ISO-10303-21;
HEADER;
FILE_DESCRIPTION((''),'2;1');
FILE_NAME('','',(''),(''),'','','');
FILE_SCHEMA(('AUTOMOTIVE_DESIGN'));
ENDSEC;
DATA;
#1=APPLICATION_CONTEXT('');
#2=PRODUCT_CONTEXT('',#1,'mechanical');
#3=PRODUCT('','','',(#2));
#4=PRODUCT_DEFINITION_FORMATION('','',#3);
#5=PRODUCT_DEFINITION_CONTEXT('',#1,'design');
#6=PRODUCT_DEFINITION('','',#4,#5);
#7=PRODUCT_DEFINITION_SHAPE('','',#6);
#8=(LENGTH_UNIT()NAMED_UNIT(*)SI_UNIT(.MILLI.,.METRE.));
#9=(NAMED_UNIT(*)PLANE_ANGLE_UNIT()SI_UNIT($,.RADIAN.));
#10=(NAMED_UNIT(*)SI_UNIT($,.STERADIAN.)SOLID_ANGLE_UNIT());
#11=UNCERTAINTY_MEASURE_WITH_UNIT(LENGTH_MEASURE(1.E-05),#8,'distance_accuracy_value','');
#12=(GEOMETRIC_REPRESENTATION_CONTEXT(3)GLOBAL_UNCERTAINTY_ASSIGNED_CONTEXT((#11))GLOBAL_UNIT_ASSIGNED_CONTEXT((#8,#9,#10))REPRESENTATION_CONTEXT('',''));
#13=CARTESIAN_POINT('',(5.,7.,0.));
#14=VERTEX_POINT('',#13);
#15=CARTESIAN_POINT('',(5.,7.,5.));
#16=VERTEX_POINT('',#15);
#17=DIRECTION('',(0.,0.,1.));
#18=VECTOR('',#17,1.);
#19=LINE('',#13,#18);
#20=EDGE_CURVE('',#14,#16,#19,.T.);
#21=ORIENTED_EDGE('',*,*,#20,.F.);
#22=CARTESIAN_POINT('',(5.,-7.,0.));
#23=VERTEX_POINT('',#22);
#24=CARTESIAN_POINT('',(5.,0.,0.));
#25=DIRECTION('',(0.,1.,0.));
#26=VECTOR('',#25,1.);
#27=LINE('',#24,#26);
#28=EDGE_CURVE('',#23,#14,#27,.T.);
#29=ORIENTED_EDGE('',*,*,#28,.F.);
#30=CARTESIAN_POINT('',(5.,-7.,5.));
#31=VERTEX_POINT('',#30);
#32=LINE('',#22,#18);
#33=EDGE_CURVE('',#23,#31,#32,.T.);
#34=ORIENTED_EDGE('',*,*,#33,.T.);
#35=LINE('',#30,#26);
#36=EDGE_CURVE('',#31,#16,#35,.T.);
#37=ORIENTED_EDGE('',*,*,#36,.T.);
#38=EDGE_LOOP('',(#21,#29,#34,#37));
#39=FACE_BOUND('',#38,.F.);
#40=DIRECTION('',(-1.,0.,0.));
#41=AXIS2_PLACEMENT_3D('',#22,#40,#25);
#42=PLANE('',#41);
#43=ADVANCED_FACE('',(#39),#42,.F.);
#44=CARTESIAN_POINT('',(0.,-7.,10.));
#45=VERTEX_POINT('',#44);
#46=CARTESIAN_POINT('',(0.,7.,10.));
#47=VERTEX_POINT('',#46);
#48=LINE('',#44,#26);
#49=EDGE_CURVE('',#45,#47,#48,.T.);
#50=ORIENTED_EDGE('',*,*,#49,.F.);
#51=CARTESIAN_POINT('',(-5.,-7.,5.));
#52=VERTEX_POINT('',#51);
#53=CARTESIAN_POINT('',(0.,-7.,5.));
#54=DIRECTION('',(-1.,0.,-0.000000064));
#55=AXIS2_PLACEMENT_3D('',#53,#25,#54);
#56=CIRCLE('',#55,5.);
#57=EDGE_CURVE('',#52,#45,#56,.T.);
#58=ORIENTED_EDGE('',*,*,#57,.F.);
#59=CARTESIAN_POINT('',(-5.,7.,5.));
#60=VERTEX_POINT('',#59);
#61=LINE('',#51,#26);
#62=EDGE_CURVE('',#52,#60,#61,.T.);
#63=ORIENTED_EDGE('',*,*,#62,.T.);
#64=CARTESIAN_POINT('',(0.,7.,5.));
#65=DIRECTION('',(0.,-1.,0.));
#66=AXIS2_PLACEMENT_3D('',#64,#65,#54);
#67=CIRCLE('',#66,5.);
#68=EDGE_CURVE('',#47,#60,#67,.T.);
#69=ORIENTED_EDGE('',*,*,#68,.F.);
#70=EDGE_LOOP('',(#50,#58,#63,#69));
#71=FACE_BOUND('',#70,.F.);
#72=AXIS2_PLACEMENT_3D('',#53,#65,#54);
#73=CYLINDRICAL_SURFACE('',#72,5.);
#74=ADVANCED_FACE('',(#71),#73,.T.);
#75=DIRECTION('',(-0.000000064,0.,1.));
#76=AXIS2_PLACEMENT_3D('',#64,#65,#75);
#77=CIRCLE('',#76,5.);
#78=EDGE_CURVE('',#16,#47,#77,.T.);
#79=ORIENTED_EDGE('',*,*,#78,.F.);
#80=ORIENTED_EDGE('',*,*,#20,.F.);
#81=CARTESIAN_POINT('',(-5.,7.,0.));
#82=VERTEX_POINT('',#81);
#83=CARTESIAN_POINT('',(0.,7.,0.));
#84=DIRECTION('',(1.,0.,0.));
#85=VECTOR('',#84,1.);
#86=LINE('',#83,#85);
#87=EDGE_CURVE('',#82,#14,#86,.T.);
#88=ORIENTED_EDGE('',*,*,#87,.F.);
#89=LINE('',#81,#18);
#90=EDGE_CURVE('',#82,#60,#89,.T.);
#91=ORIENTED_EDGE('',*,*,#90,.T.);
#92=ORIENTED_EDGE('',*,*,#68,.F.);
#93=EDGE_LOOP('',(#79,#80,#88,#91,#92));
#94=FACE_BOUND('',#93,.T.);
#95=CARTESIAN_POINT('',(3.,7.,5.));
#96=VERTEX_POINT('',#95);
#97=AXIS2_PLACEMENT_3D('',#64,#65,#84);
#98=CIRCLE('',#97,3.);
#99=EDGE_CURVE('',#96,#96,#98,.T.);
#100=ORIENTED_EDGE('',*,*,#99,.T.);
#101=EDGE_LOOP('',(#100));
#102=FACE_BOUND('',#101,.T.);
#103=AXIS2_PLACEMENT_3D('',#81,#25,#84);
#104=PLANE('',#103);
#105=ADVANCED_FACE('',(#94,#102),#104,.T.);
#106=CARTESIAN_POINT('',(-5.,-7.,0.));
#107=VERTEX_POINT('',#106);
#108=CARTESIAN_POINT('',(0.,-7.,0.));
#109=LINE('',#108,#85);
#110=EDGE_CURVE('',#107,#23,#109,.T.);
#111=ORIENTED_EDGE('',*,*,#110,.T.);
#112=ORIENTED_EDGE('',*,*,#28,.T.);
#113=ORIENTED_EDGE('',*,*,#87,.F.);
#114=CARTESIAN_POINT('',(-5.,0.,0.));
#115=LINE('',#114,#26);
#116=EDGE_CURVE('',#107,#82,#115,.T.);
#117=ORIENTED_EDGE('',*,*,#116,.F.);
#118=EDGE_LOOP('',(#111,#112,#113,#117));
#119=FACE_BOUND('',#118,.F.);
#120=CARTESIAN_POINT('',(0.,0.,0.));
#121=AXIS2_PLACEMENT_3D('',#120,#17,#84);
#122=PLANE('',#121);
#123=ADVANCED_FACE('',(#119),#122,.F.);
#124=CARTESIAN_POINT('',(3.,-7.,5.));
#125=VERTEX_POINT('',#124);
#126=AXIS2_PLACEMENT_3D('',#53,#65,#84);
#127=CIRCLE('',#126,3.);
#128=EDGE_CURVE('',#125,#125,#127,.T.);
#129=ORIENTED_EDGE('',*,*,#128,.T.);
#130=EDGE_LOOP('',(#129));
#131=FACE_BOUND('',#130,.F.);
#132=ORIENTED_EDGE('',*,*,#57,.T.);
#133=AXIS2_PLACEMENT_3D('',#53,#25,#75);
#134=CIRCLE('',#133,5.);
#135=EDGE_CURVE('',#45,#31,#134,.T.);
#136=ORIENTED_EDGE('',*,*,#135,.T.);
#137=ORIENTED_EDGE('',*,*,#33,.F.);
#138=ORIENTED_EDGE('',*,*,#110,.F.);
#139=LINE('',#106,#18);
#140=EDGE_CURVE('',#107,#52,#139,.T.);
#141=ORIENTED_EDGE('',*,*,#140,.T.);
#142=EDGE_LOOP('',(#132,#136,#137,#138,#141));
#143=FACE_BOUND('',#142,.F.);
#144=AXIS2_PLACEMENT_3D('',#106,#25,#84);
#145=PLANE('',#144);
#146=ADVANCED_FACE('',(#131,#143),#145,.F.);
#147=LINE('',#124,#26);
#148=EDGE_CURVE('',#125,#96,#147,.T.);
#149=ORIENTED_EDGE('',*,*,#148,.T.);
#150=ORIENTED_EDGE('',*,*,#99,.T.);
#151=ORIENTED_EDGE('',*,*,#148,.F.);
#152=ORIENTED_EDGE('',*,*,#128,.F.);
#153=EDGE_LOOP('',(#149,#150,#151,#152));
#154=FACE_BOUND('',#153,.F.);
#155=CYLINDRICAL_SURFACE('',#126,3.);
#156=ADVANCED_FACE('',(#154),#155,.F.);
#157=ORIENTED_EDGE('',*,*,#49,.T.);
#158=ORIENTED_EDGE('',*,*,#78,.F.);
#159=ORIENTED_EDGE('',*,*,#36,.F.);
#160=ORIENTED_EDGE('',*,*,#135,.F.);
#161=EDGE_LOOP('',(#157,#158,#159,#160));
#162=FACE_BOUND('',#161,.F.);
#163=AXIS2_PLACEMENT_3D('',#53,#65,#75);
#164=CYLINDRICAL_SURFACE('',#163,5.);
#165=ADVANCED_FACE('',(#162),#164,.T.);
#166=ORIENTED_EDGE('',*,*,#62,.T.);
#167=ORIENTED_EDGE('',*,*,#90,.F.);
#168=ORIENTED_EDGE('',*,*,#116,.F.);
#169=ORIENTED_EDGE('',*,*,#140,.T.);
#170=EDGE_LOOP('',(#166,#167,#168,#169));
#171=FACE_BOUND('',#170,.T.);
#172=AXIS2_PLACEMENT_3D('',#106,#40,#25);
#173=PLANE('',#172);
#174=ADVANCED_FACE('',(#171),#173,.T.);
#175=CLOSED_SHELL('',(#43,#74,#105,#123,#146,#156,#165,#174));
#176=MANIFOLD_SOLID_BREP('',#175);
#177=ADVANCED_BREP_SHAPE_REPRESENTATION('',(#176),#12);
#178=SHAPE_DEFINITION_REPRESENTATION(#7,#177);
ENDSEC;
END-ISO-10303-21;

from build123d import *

# Parameters (mm, degrees)
F0_W     = 10
F0_H     = 14
F1_DEPTH = 10
F2_R     = 3
F3_DEPTH = 14.001


with BuildPart() as f1:
    # F0 (on Top) → F1 (new body)
    with BuildSketch(Plane.XY):
        Rectangle(F0_W, F0_H)
    extrude(amount=F1_DEPTH)

    # F2 (on face) → F3 (cut, through all)
    with BuildSketch(Plane.XZ.offset(7)):
        with Locations((0, 5)):
            Circle(F2_R)
        with BuildLine():
            ThreePointArc((-5, 5), (-3.535534, 8.535534), (0, 10))
            Line((0, 10), (-5, 10))
            Line((-5, 10), (-5, 5))
        make_face()
        with BuildLine():
            Line((5, 10), (0, 10))
            ThreePointArc((0, 10), (3.535534, 8.535534), (5, 5))
            Line((5, 5), (5, 10))
        make_face()
    extrude(amount=-F3_DEPTH, mode=Mode.SUBTRACT)


solid = f1.part
